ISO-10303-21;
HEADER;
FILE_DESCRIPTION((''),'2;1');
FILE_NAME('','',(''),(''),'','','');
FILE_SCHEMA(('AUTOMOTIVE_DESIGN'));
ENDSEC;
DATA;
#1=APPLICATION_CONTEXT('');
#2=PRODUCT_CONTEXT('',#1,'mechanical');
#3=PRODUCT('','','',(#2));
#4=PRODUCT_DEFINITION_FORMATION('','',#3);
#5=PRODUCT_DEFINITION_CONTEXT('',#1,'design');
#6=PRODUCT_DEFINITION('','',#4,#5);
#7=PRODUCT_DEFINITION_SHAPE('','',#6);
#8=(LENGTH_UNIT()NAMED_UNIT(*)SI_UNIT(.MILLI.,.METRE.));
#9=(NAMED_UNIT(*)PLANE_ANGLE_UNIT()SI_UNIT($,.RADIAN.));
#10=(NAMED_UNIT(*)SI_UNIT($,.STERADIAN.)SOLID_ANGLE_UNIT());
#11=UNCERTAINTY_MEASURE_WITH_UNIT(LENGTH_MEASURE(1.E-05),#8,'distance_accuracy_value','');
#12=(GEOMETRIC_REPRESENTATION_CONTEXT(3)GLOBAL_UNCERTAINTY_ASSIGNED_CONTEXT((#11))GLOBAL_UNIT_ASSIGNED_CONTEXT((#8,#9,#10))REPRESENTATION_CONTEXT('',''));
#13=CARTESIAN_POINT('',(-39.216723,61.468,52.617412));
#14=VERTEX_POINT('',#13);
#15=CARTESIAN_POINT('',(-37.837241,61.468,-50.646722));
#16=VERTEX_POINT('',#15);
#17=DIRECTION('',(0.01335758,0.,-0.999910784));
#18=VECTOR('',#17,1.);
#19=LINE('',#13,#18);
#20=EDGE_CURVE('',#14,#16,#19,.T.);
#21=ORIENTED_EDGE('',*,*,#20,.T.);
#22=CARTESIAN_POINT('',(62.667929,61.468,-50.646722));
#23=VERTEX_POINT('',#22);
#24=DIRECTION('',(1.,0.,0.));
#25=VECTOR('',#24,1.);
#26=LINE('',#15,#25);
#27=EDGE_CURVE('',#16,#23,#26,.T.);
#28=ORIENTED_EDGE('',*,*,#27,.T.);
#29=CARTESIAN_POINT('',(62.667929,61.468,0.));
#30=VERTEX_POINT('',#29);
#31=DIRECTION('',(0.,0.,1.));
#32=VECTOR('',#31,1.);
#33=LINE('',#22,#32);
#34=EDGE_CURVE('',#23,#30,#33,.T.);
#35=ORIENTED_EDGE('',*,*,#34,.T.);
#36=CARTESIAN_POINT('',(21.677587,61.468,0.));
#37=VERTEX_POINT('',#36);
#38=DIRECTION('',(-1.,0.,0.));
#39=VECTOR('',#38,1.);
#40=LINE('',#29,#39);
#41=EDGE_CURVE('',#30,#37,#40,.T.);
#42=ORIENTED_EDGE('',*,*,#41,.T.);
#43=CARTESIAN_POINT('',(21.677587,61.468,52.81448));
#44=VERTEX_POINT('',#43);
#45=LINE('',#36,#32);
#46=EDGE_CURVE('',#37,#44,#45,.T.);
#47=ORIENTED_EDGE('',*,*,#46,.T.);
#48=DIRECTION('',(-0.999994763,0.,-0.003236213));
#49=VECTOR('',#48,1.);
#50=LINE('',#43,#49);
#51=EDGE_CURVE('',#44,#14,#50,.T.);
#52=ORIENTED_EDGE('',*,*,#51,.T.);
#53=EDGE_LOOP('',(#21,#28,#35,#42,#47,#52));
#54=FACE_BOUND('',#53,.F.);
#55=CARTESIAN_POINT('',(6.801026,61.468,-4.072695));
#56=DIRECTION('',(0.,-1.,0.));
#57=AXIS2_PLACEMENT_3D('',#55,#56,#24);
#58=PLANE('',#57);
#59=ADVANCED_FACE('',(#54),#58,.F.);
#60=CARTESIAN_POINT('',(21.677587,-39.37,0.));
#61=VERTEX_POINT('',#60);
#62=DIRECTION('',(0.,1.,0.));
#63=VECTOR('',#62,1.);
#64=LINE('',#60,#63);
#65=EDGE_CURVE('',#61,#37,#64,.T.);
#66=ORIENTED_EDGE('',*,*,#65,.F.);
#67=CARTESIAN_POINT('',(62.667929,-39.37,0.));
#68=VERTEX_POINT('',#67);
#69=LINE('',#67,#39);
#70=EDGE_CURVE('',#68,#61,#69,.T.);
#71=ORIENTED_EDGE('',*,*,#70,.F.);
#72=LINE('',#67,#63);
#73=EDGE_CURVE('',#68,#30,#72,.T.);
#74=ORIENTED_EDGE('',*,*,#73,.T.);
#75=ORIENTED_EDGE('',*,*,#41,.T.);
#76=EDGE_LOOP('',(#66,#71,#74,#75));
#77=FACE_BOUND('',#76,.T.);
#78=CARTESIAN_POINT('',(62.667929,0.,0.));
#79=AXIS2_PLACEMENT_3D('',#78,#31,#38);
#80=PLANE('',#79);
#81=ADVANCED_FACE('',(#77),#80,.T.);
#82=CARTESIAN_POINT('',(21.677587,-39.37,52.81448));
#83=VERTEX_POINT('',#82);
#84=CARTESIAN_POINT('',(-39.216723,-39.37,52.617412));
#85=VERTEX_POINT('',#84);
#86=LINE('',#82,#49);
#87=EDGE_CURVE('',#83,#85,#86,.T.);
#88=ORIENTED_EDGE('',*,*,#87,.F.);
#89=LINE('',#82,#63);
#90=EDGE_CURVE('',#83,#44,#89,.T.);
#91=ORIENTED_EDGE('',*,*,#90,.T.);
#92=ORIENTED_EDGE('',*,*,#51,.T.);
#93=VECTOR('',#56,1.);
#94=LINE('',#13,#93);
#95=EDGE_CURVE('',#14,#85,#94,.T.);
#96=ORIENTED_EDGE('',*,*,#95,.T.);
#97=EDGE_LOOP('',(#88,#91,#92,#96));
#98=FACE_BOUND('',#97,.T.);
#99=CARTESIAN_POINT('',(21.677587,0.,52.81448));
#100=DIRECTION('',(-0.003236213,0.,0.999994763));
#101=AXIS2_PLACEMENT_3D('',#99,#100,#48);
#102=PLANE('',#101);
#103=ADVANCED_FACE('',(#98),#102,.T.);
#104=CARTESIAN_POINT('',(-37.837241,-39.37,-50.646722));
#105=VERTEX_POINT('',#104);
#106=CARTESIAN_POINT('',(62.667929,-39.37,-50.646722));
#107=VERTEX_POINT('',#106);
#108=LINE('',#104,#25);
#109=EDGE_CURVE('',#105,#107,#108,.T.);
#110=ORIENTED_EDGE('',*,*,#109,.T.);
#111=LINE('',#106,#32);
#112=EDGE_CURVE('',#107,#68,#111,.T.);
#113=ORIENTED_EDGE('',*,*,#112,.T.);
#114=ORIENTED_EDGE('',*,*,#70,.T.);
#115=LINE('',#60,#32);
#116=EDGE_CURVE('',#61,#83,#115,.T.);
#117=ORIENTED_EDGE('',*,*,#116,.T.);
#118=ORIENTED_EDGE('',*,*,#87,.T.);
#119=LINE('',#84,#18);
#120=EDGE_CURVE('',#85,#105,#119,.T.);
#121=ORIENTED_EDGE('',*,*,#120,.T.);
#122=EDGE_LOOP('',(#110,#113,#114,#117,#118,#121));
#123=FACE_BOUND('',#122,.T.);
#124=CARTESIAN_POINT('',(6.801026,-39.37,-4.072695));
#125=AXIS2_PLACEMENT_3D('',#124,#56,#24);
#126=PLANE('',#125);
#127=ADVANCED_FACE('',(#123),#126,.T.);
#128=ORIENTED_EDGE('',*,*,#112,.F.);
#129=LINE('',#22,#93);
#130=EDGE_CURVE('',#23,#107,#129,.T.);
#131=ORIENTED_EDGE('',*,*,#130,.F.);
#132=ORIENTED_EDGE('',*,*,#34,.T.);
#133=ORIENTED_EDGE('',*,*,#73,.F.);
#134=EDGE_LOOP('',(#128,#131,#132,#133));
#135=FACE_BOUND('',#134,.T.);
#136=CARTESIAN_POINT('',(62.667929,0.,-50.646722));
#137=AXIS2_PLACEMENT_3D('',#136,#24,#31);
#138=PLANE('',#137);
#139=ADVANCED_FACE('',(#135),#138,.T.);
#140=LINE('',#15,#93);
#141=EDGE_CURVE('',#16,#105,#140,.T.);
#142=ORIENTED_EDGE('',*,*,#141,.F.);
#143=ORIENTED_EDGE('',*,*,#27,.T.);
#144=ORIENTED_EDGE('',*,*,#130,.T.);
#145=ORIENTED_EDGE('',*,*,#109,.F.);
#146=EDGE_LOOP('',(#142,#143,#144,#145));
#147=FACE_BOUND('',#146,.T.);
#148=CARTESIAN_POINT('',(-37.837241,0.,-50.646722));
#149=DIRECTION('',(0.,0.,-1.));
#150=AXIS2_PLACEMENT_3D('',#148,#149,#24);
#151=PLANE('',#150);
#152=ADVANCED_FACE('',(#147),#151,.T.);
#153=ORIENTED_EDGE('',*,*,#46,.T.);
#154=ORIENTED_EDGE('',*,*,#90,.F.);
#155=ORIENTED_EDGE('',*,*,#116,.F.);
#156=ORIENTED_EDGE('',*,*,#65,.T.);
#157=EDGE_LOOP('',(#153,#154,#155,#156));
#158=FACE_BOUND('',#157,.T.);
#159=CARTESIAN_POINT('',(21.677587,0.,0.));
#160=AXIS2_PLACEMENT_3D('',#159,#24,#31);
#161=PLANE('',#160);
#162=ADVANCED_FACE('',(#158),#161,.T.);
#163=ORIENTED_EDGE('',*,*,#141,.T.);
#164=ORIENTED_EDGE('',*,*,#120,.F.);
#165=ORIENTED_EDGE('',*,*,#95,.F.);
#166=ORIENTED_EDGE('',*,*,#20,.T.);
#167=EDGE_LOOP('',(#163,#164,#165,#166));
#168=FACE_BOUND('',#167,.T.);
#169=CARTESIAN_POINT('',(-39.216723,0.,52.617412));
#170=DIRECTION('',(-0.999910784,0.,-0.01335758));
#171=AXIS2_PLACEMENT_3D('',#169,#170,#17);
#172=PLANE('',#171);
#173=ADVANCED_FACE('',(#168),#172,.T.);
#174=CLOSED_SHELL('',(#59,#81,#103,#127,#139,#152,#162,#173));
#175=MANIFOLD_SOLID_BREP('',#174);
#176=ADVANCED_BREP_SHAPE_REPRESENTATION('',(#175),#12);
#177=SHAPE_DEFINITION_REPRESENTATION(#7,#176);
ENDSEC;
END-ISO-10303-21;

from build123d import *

# Parameters (mm, degrees)
F1_DEPTH      = 39.37
F1_DEPTH_BACK = 61.468


with BuildPart() as f1:
    # F0 (on Front) → F1 (new body, two sides)
    with BuildSketch(Plane.XZ) as f1_sk:
        Polygon((21.677587, 52.81448), (-39.216723, 52.617412), (-37.837241, -50.646722), (62.667929, -50.646722), (62.667929, 0), (21.677587, 0), align=None)
    extrude(amount=F1_DEPTH)
    extrude(f1_sk.sketch, amount=-F1_DEPTH_BACK)


solid = f1.part
